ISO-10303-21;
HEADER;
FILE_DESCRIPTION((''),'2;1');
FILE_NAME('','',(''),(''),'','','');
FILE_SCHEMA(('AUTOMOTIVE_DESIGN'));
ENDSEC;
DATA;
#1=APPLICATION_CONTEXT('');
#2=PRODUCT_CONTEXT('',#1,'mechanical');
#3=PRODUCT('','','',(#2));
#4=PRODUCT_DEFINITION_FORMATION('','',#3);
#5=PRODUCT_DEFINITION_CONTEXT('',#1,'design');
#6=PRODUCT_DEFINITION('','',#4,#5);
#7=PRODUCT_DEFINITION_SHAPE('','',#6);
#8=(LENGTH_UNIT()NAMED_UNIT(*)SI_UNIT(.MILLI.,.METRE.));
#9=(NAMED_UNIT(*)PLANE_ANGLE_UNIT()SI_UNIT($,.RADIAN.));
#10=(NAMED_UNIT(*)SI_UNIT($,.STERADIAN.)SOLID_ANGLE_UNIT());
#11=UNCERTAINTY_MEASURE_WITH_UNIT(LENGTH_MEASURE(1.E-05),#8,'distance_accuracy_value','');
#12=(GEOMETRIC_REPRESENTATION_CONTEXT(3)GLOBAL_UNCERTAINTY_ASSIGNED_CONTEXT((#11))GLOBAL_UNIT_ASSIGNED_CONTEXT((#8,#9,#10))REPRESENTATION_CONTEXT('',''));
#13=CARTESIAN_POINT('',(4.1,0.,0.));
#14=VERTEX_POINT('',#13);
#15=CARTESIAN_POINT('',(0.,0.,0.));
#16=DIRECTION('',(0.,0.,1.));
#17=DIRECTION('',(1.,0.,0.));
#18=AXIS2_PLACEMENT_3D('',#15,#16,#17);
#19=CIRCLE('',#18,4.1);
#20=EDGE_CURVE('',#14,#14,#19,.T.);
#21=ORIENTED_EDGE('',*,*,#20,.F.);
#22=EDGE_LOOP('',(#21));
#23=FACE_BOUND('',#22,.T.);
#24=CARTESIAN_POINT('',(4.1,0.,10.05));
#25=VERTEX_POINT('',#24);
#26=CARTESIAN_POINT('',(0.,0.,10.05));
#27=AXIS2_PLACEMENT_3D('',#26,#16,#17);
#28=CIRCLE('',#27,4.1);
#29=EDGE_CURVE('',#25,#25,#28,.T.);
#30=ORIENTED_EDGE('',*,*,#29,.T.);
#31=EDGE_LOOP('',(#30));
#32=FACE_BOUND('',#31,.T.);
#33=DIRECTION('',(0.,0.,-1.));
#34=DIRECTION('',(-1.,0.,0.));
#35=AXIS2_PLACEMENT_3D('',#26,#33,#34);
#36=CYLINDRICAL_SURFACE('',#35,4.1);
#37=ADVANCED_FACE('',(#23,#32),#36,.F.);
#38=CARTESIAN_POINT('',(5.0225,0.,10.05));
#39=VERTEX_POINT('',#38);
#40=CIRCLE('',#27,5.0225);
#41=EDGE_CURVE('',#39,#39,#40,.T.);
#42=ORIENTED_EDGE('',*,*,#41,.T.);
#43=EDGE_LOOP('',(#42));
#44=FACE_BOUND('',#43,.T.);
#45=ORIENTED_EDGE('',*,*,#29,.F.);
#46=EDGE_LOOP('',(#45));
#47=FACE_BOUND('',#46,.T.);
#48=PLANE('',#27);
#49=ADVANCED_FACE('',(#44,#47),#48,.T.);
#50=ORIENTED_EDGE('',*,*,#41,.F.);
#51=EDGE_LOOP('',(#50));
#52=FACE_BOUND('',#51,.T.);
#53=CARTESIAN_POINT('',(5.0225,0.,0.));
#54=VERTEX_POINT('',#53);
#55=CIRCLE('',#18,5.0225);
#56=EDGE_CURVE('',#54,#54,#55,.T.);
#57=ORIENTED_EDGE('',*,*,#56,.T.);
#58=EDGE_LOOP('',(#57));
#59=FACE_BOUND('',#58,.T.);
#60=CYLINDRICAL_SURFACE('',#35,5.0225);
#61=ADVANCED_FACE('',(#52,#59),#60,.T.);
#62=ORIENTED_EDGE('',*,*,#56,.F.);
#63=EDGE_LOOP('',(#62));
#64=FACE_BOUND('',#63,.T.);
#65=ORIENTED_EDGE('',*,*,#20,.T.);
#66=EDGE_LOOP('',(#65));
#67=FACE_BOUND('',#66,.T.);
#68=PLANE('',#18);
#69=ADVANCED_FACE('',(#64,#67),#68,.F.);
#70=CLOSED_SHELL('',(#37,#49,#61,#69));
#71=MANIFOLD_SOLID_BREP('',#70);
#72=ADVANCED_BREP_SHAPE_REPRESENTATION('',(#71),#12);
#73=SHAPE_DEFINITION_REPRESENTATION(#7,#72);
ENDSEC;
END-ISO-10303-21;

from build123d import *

# Parameters (mm, degrees)
SKIZZE1_R                       = 5.0225
SKIZZE1_R_2                     = 4.1
AUFSATZ_LINEAR_AUSTRAGEN1_DEPTH = 10.05


with BuildPart() as part:
    # Skizze1 → Aufsatz-Linear austragen1 (new body)
    with BuildSketch(Plane.XY):
        Circle(SKIZZE1_R)
        Circle(SKIZZE1_R_2, mode=Mode.SUBTRACT)
    extrude(amount=AUFSATZ_LINEAR_AUSTRAGEN1_DEPTH)


solid = part.part
